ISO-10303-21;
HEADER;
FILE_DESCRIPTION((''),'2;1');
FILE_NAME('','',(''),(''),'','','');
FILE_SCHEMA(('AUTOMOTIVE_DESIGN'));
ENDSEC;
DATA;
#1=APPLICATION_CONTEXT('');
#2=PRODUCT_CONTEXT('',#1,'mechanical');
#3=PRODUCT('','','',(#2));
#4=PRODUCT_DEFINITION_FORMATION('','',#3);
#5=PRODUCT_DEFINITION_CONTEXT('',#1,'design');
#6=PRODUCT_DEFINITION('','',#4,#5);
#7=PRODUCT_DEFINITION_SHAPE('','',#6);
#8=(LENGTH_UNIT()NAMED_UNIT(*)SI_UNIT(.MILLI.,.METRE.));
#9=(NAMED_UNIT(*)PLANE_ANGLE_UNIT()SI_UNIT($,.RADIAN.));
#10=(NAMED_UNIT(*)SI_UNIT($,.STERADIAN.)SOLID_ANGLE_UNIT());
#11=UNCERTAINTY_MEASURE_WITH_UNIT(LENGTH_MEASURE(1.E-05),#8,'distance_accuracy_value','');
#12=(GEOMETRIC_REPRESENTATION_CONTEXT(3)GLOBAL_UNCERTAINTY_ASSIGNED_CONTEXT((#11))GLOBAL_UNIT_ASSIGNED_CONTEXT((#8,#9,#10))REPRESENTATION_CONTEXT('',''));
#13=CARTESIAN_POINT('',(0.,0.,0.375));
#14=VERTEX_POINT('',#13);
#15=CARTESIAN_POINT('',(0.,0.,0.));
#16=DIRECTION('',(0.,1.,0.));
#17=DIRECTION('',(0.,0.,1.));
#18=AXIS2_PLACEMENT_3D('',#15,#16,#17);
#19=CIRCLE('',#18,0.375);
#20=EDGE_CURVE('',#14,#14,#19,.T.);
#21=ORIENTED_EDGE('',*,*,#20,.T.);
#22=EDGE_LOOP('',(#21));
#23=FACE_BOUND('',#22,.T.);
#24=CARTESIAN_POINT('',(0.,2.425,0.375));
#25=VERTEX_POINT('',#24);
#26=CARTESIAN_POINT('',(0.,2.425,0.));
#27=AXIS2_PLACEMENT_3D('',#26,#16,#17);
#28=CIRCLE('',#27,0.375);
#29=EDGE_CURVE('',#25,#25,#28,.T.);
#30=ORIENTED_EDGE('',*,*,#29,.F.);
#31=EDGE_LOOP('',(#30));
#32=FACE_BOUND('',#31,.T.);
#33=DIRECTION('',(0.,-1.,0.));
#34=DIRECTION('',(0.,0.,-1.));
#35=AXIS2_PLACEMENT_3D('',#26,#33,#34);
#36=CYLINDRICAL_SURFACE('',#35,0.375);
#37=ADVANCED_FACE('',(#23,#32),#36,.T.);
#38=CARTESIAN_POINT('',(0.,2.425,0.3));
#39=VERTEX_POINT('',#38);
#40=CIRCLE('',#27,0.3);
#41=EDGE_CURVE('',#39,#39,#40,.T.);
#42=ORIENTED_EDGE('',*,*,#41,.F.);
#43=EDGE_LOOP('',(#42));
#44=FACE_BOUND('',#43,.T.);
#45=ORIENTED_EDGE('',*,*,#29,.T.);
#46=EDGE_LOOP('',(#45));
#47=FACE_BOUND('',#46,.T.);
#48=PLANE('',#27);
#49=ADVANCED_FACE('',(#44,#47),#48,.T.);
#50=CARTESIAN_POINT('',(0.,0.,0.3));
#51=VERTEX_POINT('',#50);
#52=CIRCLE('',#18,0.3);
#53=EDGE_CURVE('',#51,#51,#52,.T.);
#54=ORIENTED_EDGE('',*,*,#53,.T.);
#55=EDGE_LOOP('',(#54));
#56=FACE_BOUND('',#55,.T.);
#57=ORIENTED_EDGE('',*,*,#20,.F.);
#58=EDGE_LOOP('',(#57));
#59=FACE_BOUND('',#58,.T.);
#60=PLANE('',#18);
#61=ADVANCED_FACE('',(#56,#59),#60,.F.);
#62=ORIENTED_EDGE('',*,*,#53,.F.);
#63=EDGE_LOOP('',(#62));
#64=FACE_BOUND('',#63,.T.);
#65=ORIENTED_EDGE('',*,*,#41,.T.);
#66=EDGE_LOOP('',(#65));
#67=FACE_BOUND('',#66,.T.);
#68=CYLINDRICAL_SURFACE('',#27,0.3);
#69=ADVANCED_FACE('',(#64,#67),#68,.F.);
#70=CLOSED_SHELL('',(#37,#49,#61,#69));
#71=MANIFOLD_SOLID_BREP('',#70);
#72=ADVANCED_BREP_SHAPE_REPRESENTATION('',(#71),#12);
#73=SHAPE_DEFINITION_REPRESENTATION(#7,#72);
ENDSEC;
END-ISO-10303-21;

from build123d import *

# Parameters (mm, degrees)
SKETCH1_R                      = 0.375
BOSS_EXTRUDE1_DEPTH            = 2.425
F_0_6_0_6_DIAMETER_HOLE1_D     = 0.6
F_0_6_0_6_DIAMETER_HOLE1_DEPTH = 11.33
F_0_6_0_6_DIAMETER_HOLE1_TIP   = 0.180258186


with BuildPart() as part:
    # Sketch1 → Boss-Extrude1 (new body)
    with BuildSketch(Plane(origin=(0, 0, 0), x_dir=(1, 0, 0), z_dir=(0, 1, 0))):
        with Locations(Location((0, 0, 0), (0, 0, 270))):
            Circle(SKETCH1_R)
    extrude(amount=BOSS_EXTRUDE1_DEPTH)

    # Ø0.6 (0.6) Diameter Hole1
    with Locations(Plane(origin=(0, 2.425, 0), x_dir=(-1, 0, 0), z_dir=(0, 1, 0))):
        with Locations((0, 0)):
            Hole(F_0_6_0_6_DIAMETER_HOLE1_D / 2, depth=F_0_6_0_6_DIAMETER_HOLE1_DEPTH)
            with Locations((0, 0, -(F_0_6_0_6_DIAMETER_HOLE1_DEPTH + F_0_6_0_6_DIAMETER_HOLE1_TIP / 2))):  # 118° drill point
                Cone(0, F_0_6_0_6_DIAMETER_HOLE1_D / 2, F_0_6_0_6_DIAMETER_HOLE1_TIP, mode=Mode.SUBTRACT)


solid = part.part
